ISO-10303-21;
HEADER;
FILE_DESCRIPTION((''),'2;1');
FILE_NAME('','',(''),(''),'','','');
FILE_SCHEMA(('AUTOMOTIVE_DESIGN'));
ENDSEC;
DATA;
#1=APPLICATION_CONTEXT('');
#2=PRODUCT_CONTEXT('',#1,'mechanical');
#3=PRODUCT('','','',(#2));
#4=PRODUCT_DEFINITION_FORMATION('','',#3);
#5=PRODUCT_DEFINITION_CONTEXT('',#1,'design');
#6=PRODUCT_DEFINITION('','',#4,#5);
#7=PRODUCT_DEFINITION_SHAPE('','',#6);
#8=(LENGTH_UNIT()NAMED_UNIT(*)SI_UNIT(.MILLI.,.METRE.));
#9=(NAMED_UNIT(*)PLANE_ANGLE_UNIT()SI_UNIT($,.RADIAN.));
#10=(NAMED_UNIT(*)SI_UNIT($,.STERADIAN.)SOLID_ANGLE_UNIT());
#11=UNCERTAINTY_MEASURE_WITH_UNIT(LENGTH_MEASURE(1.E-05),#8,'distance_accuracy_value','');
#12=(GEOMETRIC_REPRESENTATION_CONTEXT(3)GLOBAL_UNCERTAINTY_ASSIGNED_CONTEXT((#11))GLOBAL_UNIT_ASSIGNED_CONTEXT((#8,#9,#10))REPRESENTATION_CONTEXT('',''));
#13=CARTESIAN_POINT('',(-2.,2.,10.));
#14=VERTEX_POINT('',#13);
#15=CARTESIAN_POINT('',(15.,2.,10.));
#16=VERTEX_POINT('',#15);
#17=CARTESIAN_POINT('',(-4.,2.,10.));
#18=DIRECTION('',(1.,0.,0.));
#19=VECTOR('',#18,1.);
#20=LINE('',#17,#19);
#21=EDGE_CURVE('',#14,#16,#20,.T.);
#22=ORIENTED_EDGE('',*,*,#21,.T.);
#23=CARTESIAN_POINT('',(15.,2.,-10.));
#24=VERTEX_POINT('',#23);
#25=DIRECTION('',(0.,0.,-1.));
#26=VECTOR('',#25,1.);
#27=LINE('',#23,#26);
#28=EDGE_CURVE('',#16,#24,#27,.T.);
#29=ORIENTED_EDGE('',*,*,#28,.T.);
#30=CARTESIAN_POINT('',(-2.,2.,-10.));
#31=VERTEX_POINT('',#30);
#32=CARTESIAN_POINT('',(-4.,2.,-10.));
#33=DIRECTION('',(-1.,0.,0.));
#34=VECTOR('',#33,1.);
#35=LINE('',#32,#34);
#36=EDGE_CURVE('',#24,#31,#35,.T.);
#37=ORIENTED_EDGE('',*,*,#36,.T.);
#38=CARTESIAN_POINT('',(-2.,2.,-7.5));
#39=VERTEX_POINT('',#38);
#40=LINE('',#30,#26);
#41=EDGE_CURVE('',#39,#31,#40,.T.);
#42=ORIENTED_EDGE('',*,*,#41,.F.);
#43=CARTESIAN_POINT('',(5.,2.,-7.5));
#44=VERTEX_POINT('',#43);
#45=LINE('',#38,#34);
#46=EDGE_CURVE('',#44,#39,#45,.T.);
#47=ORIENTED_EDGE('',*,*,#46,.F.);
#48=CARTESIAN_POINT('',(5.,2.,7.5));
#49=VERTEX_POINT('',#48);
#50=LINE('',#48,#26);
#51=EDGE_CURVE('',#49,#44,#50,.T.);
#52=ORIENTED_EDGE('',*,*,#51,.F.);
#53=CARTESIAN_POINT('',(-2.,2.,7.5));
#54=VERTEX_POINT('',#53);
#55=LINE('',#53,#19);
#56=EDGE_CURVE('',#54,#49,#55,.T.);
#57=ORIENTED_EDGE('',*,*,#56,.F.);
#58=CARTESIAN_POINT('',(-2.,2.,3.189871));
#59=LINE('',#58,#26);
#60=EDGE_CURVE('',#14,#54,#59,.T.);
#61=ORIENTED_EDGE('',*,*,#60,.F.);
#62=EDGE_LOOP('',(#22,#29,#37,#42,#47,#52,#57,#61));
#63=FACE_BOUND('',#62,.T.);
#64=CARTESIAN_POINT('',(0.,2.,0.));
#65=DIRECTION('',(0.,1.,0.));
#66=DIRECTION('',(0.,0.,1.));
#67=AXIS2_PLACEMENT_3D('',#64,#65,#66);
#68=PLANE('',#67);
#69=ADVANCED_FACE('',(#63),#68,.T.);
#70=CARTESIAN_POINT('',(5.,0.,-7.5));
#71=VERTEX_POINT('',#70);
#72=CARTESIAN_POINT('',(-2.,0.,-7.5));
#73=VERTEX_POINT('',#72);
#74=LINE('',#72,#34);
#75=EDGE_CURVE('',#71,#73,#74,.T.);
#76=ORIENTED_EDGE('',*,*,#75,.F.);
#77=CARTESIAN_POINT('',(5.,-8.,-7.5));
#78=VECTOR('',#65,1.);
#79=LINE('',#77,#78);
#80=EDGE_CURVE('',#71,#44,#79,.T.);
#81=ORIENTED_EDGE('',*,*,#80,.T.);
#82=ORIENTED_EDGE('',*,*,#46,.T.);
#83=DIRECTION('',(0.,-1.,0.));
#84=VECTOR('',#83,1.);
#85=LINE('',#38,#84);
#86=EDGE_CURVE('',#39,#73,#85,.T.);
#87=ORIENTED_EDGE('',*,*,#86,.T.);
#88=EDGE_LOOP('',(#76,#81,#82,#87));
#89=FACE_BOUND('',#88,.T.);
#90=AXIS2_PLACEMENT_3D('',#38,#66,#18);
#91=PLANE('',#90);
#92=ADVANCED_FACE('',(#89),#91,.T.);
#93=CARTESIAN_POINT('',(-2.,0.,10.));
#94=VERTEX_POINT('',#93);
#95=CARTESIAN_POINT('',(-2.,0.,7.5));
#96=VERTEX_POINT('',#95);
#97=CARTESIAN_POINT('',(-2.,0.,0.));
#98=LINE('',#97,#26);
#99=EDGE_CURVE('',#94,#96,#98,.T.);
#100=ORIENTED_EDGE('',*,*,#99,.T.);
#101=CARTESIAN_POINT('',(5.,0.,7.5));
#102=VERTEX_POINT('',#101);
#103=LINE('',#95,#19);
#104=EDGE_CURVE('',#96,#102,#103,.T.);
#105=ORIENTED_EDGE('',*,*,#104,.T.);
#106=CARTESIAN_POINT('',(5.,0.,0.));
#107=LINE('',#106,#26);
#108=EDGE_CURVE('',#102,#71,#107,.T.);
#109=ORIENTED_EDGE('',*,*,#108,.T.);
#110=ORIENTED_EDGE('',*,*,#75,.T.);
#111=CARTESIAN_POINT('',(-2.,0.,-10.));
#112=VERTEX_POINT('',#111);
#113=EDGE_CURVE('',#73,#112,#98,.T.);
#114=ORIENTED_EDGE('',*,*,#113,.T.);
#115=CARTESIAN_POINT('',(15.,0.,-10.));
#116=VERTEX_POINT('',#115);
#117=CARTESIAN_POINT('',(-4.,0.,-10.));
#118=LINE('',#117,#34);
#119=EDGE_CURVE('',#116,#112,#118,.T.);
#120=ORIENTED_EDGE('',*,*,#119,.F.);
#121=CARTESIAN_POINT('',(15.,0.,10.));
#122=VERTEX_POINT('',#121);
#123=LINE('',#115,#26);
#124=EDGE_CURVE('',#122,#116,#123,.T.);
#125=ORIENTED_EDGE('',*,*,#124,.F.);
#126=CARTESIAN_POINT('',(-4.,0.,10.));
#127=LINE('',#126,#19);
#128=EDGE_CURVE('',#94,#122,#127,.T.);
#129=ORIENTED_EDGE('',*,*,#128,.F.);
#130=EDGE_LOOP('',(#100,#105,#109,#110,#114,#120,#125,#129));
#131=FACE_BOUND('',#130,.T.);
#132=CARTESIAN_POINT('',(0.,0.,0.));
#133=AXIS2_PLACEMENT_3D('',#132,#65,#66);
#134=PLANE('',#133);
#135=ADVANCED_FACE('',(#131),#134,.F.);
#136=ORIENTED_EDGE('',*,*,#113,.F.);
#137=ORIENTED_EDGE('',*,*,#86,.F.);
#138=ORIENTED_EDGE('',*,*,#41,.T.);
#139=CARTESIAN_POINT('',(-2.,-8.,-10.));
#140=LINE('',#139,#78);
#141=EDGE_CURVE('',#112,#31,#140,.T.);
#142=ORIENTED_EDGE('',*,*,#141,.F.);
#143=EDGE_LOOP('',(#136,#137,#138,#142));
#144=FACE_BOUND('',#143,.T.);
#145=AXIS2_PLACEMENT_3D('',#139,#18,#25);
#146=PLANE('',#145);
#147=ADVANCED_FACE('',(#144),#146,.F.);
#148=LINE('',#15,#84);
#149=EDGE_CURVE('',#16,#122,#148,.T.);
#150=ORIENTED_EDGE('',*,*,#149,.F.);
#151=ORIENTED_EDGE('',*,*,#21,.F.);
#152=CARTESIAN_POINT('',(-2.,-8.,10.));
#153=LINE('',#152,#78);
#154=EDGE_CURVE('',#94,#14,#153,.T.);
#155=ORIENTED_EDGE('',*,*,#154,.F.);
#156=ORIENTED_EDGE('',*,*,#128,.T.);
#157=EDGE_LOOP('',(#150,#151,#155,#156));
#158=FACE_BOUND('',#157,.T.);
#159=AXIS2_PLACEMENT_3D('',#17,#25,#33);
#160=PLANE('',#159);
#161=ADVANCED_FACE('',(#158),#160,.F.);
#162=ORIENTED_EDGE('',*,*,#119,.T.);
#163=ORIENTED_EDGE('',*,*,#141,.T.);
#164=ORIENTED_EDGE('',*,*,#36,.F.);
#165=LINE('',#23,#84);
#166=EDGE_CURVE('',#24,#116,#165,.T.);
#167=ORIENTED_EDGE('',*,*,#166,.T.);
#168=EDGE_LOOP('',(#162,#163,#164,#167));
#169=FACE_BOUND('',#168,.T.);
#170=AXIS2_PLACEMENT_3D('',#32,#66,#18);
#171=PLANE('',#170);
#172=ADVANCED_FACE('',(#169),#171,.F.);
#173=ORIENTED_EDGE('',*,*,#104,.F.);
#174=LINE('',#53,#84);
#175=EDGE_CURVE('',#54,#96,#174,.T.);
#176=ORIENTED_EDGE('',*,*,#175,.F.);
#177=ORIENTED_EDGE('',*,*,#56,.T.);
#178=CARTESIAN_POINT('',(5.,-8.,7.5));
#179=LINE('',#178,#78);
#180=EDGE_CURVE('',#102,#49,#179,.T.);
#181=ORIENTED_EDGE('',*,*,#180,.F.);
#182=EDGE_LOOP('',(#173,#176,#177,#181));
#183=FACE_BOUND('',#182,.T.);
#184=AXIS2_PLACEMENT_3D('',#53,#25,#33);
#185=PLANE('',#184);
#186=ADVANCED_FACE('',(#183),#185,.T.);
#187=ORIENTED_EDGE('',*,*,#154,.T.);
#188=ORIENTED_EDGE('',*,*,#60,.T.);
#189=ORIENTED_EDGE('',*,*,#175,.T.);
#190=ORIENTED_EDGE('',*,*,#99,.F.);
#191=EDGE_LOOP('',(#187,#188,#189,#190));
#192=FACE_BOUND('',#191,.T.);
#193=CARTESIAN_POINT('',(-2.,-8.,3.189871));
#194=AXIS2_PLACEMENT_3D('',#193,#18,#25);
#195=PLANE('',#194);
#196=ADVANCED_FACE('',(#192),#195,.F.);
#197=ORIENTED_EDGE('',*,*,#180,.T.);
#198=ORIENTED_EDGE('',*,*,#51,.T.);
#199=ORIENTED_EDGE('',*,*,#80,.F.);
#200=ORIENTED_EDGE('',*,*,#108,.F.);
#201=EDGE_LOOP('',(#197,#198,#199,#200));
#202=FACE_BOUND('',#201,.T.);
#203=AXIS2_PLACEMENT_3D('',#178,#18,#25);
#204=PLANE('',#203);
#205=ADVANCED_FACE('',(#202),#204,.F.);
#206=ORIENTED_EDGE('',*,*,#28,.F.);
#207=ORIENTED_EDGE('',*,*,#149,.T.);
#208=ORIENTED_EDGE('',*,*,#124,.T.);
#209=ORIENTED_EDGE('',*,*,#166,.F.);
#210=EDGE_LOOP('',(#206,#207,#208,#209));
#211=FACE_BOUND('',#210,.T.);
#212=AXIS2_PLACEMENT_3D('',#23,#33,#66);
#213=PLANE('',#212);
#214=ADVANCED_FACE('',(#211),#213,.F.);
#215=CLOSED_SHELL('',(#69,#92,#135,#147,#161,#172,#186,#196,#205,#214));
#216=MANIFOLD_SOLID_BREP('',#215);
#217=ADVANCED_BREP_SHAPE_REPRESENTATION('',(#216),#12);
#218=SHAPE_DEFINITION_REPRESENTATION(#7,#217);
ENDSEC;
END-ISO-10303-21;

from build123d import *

# Parameters (mm, degrees)
SKETCH1_W           = 19
SKETCH1_H           = 20
SKETCH1_W_2         = 2
SKETCH1_H_2         = 5
BOSS_EXTRUDE1_DEPTH = 2
SKETCH2_W           = 5
SKETCH2_H           = 15
CUT_EXTRUDE1_DEPTH  = 10
CUT_EXTRUDE3_DEPTH  = 10


with BuildPart() as part:
    # Sketch1 → Boss-Extrude1 (new body)
    with BuildSketch(Plane(origin=(0, 0, 0), x_dir=(1, 0, 0), z_dir=(0, 1, 0))):
        with Locations((5.5, 0)):
            Rectangle(SKETCH1_W, SKETCH1_H)
        with Locations((-1, 5)):
            Rectangle(SKETCH1_W_2, SKETCH1_H_2, mode=Mode.SUBTRACT)
        with Locations((-1, -5)):
            Rectangle(SKETCH1_W_2, SKETCH1_H_2, mode=Mode.SUBTRACT)
    extrude(amount=BOSS_EXTRUDE1_DEPTH)

    # Sketch2 → Cut-Extrude1 (cut)
    with BuildSketch(Plane(origin=(0, 2, 0), x_dir=(1, 0, 0), z_dir=(0, 1, 0))):
        with Locations((2.5, 0)):
            Rectangle(SKETCH2_W, SKETCH2_H)
    extrude(amount=-CUT_EXTRUDE1_DEPTH, mode=Mode.SUBTRACT)

    # Sketch3 → Cut-Extrude3 (cut)
    with BuildSketch(Plane(origin=(0, 2, 0), x_dir=(1, 0, 0), z_dir=(0, 1, 0))):
        Polygon((-4, 10), (-2, 10), (-2, 3.892371719), (1.539535597, 3.892371719), (1.539535597, -3.189870508), (-2, -3.189870508), (-2, -10), (-4, -10), align=None)
    extrude(amount=-CUT_EXTRUDE3_DEPTH, mode=Mode.SUBTRACT)


solid = part.part
